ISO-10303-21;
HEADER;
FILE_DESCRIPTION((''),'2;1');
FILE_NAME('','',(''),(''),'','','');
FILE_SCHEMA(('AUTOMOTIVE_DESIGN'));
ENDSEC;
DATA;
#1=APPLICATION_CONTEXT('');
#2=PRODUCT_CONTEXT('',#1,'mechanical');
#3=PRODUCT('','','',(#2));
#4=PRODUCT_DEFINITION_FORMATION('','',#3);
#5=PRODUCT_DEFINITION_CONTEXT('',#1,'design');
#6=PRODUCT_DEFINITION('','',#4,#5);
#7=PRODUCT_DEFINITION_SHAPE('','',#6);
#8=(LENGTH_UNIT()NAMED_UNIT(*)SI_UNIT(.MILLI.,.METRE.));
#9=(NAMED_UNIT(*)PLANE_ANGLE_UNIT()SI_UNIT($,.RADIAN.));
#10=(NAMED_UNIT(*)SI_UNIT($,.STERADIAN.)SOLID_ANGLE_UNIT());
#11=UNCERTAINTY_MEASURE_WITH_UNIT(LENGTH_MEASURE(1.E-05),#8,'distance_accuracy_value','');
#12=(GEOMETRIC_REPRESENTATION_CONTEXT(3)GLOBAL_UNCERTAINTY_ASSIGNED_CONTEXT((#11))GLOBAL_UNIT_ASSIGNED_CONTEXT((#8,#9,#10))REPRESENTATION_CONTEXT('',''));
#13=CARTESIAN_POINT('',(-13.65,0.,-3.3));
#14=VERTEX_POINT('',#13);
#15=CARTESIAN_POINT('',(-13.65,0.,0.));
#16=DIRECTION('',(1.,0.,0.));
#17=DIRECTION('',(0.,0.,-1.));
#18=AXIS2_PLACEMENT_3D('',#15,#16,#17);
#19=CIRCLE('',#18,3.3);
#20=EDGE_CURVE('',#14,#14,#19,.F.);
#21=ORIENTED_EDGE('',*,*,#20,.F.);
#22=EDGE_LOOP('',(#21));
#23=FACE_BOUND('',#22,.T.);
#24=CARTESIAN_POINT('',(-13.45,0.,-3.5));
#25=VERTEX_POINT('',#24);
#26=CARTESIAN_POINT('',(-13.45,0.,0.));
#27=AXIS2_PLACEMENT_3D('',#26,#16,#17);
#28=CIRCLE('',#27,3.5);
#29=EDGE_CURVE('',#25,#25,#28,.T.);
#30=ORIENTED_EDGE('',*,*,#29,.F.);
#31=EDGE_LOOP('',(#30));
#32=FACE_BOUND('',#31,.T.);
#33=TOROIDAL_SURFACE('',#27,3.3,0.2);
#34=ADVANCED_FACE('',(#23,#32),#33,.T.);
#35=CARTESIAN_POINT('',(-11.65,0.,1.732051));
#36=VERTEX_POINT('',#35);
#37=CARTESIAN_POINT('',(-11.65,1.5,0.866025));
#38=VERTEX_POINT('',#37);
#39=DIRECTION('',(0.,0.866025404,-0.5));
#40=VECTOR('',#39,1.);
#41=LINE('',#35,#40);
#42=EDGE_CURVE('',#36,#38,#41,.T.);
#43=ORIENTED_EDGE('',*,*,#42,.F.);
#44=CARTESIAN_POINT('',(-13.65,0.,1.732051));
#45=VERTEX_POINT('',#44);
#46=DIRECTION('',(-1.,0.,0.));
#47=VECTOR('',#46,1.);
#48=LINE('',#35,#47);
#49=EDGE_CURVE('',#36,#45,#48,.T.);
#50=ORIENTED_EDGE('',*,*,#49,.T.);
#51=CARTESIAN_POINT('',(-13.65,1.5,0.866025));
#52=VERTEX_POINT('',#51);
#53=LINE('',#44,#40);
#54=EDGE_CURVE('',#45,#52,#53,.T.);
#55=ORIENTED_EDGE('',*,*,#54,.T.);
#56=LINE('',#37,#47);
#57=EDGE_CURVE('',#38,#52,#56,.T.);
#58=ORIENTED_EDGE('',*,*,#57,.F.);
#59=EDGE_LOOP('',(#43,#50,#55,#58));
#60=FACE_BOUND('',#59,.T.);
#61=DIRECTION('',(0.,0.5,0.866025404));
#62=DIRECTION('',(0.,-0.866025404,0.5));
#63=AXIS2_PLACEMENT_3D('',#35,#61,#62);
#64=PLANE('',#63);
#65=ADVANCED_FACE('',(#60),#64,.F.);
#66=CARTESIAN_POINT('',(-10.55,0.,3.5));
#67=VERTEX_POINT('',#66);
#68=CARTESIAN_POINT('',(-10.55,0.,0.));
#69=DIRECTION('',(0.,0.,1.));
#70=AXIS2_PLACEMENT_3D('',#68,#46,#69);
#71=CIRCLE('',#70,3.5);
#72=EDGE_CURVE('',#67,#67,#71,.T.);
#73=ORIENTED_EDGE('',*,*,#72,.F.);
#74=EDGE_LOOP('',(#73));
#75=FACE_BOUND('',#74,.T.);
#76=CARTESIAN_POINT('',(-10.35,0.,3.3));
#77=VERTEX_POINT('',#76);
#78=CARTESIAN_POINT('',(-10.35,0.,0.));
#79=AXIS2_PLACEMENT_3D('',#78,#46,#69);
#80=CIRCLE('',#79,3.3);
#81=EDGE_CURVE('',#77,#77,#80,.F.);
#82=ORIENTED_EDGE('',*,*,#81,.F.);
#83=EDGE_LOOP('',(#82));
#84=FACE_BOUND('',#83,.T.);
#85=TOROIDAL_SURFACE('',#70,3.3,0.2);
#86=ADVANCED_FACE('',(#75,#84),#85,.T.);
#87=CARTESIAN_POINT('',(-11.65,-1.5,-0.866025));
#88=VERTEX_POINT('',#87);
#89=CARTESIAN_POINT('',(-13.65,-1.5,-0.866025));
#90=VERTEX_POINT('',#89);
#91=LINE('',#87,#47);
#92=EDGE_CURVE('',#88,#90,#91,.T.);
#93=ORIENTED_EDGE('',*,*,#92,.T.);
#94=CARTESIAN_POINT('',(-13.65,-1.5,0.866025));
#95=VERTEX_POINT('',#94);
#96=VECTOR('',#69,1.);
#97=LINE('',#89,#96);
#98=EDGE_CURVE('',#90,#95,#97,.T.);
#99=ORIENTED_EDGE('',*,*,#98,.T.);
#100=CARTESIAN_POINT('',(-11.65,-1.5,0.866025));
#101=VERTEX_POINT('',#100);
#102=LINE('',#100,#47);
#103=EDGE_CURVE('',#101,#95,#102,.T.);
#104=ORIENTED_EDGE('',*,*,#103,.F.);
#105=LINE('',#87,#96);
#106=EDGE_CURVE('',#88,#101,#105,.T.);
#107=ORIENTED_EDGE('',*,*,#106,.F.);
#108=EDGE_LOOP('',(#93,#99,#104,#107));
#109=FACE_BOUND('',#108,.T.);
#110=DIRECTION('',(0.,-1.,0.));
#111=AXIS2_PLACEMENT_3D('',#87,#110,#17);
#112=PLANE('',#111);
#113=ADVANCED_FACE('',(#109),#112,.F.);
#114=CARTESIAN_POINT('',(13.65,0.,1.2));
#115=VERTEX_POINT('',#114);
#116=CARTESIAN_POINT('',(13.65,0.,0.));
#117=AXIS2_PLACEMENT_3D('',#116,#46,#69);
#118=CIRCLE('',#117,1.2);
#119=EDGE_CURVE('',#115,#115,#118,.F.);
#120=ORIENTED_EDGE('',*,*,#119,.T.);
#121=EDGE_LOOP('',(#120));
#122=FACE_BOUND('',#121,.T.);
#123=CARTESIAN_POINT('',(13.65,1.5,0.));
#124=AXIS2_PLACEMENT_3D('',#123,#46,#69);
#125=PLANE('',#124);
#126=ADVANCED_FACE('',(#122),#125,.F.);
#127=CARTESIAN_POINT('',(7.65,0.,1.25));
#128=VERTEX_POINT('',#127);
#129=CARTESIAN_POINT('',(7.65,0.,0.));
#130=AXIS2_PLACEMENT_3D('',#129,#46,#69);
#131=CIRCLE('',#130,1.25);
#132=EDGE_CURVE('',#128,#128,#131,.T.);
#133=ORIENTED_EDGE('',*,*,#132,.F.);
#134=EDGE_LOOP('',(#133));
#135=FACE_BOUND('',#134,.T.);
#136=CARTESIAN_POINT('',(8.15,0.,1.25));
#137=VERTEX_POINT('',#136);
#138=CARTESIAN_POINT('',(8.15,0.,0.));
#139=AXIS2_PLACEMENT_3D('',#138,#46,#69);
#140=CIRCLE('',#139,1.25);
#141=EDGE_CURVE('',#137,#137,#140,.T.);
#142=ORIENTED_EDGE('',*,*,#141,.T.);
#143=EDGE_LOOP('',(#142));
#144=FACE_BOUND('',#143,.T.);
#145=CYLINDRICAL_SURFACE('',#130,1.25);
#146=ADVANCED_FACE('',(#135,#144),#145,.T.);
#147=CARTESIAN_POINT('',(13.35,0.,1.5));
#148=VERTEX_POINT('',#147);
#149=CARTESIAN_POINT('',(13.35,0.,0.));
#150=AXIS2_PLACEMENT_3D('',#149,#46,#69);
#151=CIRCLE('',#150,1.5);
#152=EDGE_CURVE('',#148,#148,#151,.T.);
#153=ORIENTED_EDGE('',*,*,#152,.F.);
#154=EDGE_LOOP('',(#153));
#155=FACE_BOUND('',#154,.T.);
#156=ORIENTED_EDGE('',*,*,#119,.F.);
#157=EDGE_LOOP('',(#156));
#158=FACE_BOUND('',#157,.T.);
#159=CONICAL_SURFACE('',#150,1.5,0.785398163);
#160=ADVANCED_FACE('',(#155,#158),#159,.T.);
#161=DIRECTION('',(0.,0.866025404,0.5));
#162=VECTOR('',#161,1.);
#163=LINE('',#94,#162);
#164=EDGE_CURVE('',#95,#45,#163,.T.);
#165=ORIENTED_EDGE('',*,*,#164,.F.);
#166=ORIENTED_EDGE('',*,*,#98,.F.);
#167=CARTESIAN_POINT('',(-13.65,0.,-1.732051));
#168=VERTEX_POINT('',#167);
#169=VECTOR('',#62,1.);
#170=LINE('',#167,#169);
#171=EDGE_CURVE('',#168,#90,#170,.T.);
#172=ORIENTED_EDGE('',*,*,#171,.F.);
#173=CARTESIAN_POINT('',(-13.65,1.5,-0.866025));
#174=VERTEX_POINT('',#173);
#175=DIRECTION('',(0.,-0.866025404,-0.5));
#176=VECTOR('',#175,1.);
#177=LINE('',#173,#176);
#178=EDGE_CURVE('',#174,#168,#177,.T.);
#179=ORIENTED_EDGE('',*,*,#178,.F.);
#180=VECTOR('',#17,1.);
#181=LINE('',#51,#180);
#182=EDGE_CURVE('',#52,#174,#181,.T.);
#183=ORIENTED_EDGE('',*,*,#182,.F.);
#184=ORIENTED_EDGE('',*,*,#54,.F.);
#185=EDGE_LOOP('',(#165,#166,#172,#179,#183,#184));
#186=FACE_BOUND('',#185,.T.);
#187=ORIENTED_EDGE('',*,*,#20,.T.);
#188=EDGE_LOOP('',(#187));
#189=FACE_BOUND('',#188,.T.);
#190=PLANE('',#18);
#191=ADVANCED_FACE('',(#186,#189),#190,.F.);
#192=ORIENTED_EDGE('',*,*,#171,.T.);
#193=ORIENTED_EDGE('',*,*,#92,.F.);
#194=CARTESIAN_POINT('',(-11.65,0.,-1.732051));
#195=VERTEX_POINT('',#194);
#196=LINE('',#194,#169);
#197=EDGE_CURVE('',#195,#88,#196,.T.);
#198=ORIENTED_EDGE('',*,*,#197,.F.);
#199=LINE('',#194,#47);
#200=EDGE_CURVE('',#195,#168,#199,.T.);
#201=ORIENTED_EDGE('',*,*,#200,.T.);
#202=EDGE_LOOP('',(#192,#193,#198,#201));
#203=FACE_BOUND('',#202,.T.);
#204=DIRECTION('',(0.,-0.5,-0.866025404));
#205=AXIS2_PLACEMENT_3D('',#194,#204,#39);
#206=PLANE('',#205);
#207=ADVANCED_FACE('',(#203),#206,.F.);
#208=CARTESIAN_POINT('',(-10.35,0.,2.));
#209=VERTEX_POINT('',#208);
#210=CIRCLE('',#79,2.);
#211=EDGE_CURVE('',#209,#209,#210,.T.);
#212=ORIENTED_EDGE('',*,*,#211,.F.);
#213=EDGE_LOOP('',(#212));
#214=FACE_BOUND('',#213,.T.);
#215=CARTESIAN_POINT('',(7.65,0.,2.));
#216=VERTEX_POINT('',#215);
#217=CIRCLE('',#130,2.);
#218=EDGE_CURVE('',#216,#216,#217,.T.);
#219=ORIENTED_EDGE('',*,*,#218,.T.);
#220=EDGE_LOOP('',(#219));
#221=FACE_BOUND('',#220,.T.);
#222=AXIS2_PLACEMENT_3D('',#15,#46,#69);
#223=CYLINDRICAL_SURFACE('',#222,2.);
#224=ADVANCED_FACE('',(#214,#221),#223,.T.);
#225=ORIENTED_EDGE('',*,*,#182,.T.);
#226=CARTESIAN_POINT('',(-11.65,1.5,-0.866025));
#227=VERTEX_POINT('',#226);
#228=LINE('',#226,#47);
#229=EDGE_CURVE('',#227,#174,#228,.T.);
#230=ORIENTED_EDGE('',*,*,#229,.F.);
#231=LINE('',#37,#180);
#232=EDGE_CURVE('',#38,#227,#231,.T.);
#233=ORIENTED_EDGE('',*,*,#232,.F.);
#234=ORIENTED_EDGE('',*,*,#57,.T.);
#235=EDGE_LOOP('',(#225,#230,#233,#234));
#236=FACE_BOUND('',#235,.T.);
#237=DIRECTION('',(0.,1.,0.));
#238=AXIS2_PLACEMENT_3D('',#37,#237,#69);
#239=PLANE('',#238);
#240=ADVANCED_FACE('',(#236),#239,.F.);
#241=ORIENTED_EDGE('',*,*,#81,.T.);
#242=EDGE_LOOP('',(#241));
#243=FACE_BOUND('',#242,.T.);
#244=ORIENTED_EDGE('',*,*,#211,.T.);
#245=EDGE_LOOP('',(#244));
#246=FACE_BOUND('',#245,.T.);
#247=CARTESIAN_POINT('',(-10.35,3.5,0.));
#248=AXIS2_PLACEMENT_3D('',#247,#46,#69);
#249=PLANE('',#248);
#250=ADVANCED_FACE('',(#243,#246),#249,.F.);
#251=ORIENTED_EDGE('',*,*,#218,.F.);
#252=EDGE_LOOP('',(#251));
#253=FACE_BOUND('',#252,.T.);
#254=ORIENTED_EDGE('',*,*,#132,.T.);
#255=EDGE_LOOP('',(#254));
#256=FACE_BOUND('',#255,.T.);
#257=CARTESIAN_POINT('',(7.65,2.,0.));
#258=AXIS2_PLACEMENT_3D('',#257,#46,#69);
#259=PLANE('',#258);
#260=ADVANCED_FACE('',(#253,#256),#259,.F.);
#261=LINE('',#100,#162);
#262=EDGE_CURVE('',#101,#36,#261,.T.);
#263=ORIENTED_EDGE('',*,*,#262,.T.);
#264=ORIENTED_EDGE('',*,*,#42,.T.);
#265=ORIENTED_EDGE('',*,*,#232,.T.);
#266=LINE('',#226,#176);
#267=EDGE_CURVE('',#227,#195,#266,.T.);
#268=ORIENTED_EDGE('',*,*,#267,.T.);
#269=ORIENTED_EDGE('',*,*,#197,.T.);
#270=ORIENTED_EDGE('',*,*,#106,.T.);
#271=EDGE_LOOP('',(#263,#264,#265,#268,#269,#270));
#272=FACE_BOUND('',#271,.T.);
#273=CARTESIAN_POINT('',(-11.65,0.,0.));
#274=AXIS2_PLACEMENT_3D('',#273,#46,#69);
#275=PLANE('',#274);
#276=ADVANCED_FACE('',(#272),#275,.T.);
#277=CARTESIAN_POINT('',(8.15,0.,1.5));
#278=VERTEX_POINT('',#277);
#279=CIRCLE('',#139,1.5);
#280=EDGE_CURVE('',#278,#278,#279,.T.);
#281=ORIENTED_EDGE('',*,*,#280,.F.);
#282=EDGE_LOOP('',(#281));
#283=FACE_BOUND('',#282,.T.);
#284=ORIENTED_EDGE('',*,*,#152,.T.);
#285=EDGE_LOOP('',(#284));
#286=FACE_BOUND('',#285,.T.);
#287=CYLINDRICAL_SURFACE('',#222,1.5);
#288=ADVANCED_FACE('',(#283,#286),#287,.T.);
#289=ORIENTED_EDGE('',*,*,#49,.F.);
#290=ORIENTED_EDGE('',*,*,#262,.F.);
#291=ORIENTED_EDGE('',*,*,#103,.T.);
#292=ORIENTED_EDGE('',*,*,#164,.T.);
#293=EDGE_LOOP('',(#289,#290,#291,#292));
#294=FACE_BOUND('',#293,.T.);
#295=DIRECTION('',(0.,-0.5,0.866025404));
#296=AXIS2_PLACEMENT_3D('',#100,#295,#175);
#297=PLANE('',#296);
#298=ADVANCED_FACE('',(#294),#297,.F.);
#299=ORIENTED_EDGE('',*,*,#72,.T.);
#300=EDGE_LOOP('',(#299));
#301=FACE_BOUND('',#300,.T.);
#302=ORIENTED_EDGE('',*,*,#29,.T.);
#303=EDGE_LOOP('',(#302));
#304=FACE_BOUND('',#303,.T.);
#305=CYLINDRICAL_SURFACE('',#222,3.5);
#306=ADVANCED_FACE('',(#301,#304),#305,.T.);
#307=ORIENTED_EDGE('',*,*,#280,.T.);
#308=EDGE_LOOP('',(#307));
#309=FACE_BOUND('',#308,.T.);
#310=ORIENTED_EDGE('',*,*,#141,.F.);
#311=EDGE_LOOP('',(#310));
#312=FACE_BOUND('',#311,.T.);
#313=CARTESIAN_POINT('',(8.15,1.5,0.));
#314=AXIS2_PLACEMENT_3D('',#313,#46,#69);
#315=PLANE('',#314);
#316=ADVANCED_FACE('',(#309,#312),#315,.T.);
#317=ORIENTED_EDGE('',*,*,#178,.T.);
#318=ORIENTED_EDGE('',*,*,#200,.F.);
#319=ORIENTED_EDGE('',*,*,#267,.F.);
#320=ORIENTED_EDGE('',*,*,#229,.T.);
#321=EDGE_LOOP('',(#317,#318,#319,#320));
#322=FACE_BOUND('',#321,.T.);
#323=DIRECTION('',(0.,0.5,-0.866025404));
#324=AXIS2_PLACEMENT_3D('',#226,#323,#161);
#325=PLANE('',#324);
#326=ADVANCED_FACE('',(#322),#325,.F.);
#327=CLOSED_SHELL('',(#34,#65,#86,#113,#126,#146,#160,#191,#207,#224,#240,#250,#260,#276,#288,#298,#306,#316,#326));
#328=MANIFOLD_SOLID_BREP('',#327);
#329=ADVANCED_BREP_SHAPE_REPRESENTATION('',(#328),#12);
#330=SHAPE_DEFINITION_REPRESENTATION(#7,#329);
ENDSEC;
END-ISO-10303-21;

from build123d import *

# Parameters (mm, degrees)
FILLET_1_R          = 0.2
CHAMFER_1_SIZE      = 0.3
SKETCH_3_W          = 0.5
SKETCH_3_H          = 0.25
CUT_EXTRUDE_1_DEPTH = 2


with BuildPart() as part:
    # 草图1 → 旋转1 (revolve)
    with BuildSketch(Plane.XY, mode=Mode.PRIVATE) as revolve_1_sk:
        Polygon((-13.65, 0), (-13.65, 3.5), (-10.35, 3.5), (-10.35, 2), (7.65, 2), (7.65, 1.5), (13.65, 1.5), (13.65, 0), align=None)
    revolve(revolve_1_sk.sketch.rotate(Axis((-13.65, 0, 0), (1, 0, 0)), 90), axis=Axis((-13.65, 0, 0), (1, 0, 0)))

    # 圆角1
    fillet_1_edges = [part.edges().sort_by_distance(p)[0] for p in [
        (-10.35, 0, -3.5),
        (-13.65, 0, -3.5),
    ]]
    fillet(fillet_1_edges, radius=FILLET_1_R)

    # 倒角1
    chamfer_1_edges = [part.edges().sort_by_distance(p)[0] for p in [
        (13.65, 0, -1.5),
    ]]
    chamfer(chamfer_1_edges, length=CHAMFER_1_SIZE)

    # 草图3 → 切除-旋转1 (revolve, cut)
    with BuildSketch(Plane.XY, mode=Mode.PRIVATE) as cut_revolve_1_sk:
        with Locations((7.9, 1.375)):
            Rectangle(SKETCH_3_W, SKETCH_3_H)
    revolve(cut_revolve_1_sk.sketch.rotate(Axis((7.65, 0, 0), (1, 0, 0)), 90), axis=Axis((7.65, 0, 0), (1, 0, 0)), mode=Mode.SUBTRACT)

    # 草图4 → 切除-拉伸1 (cut)
    with BuildSketch(Plane.ZY.offset(13.65)):
        Polygon((1.732050808, 0), (0.866025404, 1.5), (-0.866025404, 1.5), (-1.732050808, 0), (-0.866025404, -1.5), (0.866025404, -1.5), align=None)
    extrude(amount=-CUT_EXTRUDE_1_DEPTH, mode=Mode.SUBTRACT)


solid = part.part
